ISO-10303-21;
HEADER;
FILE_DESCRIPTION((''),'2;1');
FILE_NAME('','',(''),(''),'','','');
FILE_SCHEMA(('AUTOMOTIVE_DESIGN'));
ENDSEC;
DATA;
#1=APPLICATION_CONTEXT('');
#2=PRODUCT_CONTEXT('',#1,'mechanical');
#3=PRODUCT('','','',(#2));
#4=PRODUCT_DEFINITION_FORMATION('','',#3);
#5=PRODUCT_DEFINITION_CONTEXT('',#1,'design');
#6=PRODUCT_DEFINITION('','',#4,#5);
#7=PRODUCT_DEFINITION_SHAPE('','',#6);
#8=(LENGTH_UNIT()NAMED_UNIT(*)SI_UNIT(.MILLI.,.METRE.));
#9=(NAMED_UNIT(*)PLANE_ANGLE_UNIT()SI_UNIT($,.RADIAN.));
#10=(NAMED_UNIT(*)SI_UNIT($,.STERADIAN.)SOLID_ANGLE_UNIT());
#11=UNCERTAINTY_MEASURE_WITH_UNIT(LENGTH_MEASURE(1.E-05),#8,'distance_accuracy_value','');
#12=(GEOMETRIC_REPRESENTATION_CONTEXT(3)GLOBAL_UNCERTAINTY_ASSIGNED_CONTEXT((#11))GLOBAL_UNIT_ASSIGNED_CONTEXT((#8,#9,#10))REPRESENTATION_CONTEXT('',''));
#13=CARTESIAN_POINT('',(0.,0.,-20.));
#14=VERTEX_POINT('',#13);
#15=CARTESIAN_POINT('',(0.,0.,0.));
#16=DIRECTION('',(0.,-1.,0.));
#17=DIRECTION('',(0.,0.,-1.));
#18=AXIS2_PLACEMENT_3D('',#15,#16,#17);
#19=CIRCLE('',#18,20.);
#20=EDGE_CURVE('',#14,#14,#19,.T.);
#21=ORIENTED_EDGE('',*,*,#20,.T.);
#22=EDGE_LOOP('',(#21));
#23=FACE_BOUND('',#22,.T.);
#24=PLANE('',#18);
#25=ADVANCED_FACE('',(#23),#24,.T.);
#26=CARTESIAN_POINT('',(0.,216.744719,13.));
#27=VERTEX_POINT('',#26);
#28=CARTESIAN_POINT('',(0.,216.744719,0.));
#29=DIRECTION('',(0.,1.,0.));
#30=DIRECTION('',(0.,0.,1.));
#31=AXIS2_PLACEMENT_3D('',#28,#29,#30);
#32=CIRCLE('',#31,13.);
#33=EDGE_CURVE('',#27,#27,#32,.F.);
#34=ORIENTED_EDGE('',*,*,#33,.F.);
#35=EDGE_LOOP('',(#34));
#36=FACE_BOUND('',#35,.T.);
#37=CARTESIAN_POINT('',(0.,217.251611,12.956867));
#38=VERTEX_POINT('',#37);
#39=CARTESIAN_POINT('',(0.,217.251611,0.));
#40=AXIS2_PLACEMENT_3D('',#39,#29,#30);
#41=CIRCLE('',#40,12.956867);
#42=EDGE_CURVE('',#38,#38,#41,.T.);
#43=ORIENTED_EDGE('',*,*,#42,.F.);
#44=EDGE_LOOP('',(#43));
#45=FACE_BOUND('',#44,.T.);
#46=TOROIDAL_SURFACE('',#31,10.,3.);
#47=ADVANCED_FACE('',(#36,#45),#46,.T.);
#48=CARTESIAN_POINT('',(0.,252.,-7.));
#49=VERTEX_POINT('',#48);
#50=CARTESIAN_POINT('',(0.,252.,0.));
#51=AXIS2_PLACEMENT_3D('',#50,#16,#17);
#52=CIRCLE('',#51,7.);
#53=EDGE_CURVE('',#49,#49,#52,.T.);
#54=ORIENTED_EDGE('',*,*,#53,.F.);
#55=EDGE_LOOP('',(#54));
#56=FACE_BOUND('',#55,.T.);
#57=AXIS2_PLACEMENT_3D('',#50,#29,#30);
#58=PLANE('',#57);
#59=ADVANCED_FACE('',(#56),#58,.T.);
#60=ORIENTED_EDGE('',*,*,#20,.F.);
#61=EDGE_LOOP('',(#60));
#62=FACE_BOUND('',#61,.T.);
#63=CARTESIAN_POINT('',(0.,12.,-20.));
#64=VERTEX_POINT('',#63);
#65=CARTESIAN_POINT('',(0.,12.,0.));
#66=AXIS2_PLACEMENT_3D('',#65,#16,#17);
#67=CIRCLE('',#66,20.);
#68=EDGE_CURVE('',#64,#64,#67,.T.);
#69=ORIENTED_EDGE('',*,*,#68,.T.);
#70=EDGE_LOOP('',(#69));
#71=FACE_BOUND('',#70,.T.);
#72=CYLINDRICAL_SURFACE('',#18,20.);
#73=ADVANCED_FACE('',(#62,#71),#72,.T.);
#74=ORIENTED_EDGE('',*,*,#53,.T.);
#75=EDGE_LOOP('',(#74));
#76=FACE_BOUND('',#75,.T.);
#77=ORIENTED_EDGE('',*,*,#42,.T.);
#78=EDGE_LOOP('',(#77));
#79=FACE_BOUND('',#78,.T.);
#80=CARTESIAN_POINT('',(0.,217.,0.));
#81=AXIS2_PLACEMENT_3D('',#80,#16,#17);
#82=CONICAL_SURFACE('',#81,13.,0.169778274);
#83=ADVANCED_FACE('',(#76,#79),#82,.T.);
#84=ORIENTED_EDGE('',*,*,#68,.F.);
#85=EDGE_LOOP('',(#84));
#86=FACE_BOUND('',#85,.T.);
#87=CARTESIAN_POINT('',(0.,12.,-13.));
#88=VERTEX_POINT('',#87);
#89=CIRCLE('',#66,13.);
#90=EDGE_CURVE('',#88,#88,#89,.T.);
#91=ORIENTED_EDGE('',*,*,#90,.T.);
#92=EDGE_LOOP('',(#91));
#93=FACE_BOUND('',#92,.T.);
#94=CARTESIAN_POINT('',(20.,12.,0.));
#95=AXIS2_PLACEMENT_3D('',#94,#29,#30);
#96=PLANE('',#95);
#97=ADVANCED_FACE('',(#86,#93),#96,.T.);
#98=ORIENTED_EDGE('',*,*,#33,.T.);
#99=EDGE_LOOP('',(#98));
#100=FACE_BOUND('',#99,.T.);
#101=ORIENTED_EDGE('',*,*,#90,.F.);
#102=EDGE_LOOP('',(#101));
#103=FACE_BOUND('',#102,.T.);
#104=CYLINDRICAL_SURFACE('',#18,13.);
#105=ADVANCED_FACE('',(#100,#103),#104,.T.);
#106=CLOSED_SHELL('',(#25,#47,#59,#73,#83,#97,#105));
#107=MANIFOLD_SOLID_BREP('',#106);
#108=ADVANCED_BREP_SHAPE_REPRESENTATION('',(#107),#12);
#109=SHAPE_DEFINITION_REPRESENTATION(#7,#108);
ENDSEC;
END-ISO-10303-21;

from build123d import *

# Parameters (mm, degrees)
FILLET_1_R = 3


with BuildPart() as part:
    # 草图1 → Revolve 297 (revolve)
    with BuildSketch(Plane.XY, mode=Mode.PRIVATE) as revolve_297_sk:
        Polygon((0, 0), (20, 0), (20, 12), (13, 12), (13, 217), (7, 252), (0, 252), align=None)
    revolve(revolve_297_sk.sketch.rotate(Axis((0, 0, 0), (0, 1, 0)), 90), axis=Axis((0, 0, 0), (0, 1, 0)))

    # 圆角1
    fillet_1_edges = [part.edges().sort_by_distance(p)[0] for p in [
        (0, 217, 13),
    ]]
    fillet(fillet_1_edges, radius=FILLET_1_R)


solid = part.part
